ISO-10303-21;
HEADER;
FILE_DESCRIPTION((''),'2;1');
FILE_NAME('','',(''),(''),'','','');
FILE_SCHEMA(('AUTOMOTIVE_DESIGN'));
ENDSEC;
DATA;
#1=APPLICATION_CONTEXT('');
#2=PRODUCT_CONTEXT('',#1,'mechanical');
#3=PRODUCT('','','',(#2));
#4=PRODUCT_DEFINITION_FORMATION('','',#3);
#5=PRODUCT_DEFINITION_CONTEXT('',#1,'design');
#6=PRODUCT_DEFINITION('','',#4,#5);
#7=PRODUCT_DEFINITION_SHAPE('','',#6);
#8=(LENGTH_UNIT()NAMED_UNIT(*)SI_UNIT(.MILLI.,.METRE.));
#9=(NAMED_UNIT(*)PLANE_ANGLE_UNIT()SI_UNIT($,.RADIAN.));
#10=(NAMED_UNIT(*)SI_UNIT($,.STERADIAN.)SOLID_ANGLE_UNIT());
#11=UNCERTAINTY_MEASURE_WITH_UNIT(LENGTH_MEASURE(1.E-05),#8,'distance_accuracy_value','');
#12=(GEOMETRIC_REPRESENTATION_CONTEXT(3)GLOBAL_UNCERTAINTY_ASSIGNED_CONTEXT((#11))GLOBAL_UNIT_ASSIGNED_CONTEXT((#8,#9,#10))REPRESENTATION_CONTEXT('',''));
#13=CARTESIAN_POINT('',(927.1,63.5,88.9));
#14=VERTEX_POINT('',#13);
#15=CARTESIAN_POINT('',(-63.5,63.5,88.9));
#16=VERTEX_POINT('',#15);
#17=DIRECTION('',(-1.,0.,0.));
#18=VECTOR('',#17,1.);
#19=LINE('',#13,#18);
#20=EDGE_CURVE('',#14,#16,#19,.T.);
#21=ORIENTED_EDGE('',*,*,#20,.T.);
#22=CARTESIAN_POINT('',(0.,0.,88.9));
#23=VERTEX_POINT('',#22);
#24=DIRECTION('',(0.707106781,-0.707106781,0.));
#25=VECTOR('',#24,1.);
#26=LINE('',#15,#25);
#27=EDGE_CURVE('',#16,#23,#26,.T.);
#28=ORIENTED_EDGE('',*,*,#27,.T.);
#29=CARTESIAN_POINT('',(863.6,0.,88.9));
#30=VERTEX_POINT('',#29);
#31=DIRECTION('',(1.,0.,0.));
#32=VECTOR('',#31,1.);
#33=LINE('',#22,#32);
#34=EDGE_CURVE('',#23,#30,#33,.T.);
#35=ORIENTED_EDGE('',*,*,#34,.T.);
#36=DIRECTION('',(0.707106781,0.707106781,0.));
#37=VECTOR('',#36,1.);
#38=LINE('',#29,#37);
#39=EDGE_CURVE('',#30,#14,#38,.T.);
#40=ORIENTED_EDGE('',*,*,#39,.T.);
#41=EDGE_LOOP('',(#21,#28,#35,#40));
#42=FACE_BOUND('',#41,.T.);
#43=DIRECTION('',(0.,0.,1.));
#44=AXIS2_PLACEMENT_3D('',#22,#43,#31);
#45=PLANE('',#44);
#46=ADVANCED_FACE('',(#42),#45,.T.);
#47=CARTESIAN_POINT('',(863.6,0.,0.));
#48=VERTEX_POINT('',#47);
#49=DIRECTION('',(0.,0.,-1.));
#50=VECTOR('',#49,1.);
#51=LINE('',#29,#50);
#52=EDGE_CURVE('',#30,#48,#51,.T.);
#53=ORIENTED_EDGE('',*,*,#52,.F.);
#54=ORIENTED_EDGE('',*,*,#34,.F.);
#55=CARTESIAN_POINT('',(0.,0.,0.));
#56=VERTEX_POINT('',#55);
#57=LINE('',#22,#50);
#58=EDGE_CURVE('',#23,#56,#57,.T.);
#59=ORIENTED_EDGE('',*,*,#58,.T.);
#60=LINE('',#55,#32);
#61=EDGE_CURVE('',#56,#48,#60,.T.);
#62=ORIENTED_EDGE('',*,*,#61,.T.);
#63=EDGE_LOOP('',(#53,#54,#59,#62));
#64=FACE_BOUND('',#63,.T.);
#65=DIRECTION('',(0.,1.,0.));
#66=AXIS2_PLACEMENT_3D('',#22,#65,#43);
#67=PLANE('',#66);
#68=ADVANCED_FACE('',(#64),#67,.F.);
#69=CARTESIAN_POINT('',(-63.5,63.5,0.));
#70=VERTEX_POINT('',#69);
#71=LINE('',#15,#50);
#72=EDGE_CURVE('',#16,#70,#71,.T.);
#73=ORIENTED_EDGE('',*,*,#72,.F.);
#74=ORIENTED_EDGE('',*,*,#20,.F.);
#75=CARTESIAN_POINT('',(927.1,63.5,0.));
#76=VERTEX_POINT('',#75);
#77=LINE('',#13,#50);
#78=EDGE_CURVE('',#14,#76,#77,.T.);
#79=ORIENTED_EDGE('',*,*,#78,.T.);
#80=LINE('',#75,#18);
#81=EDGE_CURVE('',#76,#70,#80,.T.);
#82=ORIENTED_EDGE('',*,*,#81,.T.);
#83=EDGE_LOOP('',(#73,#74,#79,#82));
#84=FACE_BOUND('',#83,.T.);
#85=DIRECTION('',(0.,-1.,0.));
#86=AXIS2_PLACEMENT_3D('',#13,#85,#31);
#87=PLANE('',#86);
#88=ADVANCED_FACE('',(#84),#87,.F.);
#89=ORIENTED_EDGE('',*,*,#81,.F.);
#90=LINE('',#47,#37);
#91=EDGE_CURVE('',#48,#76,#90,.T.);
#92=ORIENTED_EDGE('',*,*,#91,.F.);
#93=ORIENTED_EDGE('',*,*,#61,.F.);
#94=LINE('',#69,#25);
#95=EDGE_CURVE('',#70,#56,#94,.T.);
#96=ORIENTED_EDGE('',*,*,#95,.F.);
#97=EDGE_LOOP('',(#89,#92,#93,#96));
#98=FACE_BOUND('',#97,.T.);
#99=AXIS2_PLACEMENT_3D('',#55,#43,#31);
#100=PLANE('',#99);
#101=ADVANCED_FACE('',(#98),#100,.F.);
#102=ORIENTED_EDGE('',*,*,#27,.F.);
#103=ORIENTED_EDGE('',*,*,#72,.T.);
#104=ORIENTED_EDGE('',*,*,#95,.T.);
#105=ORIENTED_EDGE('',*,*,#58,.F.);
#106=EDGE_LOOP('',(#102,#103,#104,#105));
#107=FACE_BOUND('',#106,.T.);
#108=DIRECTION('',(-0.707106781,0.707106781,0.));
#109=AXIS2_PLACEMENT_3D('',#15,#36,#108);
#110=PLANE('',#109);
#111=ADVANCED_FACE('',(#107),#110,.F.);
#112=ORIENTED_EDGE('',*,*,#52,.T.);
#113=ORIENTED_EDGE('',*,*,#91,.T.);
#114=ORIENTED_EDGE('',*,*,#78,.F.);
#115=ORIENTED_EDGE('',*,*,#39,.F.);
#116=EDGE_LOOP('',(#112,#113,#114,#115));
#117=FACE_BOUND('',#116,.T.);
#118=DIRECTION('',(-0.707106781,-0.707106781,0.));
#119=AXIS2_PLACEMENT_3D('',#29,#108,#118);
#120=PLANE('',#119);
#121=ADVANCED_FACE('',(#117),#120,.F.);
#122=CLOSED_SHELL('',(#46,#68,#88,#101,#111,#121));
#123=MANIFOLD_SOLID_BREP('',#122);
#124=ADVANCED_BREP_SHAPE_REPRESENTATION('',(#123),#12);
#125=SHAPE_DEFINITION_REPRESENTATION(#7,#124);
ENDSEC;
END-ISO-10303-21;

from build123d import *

# Parameters (mm, degrees)
BOSS_EXTRUDE1_DEPTH = 88.9


with BuildPart() as part:
    # Sketch2 → Boss-Extrude1 (new body)
    with BuildSketch(Plane.XY):
        Polygon((0, 0), (863.6, 0), (927.1, 63.5), (-63.5, 63.5), align=None)
    extrude(amount=BOSS_EXTRUDE1_DEPTH)


solid = part.part
